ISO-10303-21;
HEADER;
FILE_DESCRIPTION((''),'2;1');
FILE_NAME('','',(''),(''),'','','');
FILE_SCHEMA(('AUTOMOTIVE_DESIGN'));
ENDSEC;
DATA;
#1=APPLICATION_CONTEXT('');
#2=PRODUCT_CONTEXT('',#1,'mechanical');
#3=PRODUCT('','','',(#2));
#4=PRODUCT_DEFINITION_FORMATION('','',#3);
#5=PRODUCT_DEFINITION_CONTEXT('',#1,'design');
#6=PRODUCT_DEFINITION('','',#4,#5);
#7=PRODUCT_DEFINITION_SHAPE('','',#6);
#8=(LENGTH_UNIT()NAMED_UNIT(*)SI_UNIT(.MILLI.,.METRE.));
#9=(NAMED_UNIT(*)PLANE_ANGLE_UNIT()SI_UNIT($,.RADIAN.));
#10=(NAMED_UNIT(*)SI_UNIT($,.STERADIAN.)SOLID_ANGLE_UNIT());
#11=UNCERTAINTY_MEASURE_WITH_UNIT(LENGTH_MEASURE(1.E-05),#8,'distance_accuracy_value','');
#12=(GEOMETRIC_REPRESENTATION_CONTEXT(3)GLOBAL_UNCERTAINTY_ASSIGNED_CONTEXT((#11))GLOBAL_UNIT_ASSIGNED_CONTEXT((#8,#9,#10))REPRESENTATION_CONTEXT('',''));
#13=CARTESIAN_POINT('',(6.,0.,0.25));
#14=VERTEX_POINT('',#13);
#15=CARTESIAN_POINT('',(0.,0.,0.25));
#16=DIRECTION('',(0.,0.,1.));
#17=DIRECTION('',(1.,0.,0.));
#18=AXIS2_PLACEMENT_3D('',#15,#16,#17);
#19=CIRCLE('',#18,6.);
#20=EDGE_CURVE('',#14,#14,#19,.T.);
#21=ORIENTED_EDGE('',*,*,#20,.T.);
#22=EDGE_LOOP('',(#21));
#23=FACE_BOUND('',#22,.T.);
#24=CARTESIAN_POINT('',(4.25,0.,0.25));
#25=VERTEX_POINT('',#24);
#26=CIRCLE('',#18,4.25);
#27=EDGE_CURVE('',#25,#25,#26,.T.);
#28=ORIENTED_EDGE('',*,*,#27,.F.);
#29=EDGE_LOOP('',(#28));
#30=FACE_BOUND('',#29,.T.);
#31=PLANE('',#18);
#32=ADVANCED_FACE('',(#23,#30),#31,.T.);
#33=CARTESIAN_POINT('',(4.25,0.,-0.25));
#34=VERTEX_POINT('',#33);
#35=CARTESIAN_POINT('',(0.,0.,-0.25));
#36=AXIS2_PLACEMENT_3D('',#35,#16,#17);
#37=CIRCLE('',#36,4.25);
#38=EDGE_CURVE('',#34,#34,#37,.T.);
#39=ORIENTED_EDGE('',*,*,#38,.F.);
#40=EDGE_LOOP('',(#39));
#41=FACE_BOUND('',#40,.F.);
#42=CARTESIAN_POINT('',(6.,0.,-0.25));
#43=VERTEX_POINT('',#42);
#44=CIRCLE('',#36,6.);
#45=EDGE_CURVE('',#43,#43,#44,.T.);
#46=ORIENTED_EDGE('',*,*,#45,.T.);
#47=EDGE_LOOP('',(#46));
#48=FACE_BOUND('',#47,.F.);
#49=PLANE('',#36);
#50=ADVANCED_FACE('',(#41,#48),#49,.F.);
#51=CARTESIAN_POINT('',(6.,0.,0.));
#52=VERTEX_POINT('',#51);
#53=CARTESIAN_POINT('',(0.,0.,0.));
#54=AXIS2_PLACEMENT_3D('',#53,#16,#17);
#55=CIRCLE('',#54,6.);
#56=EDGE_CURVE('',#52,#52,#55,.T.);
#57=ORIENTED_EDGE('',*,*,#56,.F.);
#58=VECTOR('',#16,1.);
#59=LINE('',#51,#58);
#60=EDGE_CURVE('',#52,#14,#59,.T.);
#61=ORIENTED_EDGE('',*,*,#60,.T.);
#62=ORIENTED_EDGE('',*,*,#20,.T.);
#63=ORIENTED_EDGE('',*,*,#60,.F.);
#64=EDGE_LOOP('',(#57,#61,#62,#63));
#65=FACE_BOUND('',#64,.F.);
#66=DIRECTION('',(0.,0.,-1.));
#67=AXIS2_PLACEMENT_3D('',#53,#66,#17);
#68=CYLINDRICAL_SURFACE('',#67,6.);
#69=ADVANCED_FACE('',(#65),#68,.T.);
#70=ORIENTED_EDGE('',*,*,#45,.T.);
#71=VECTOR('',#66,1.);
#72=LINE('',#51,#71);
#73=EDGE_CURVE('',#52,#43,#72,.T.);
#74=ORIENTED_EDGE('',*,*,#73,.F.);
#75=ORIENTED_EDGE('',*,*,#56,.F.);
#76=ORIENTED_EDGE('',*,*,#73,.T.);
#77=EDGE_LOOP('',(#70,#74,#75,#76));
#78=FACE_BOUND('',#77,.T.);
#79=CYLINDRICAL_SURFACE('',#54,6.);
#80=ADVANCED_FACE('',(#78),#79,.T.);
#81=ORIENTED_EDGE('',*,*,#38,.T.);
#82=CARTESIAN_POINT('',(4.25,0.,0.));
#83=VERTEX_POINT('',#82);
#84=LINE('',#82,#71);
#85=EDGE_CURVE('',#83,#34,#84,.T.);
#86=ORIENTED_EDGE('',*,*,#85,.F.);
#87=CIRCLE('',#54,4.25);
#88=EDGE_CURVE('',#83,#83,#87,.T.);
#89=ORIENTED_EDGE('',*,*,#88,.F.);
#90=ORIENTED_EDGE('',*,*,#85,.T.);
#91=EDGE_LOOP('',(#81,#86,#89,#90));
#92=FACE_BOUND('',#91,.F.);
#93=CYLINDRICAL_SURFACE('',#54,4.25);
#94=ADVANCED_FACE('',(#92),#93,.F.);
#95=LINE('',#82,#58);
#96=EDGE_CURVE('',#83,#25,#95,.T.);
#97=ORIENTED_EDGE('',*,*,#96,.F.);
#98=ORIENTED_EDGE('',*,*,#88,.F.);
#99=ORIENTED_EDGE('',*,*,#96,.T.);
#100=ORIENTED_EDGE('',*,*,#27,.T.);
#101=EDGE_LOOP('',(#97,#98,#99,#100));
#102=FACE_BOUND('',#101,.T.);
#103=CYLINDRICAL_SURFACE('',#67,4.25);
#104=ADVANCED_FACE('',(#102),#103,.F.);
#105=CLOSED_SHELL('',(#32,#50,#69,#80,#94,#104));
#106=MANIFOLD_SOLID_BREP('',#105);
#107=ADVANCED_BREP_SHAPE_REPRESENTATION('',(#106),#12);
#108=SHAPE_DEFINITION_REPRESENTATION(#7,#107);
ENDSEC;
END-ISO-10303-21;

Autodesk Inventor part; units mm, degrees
ref_plane "YZ Plane" through (0, 0, 0) normal (1, 0, 0) x (0, 1, 0)
ref_plane "XZ Plane" through (0, 0, 0) normal (0, 1, 0) x (-1, 0, 0)
ref_plane "XY Plane" through (0, 0, 0) normal (0, 0, 1) x (1, 0, 0)
sketch "Эскиз1" plane through (0, 0, 0) normal (0, 0, 1) x (1, 0, 0)
  circle A0 centre (0, 0) radius 4.25
  circle A1 centre (0, 0) radius 6
  dimension "d0" = 8.5
  dimension "d4" = 12
extrude "Выдавливание1" add sketch "Эскиз1" along normal mid plane 0.5
properties part number "Втулка" material "По умолчанию1"
